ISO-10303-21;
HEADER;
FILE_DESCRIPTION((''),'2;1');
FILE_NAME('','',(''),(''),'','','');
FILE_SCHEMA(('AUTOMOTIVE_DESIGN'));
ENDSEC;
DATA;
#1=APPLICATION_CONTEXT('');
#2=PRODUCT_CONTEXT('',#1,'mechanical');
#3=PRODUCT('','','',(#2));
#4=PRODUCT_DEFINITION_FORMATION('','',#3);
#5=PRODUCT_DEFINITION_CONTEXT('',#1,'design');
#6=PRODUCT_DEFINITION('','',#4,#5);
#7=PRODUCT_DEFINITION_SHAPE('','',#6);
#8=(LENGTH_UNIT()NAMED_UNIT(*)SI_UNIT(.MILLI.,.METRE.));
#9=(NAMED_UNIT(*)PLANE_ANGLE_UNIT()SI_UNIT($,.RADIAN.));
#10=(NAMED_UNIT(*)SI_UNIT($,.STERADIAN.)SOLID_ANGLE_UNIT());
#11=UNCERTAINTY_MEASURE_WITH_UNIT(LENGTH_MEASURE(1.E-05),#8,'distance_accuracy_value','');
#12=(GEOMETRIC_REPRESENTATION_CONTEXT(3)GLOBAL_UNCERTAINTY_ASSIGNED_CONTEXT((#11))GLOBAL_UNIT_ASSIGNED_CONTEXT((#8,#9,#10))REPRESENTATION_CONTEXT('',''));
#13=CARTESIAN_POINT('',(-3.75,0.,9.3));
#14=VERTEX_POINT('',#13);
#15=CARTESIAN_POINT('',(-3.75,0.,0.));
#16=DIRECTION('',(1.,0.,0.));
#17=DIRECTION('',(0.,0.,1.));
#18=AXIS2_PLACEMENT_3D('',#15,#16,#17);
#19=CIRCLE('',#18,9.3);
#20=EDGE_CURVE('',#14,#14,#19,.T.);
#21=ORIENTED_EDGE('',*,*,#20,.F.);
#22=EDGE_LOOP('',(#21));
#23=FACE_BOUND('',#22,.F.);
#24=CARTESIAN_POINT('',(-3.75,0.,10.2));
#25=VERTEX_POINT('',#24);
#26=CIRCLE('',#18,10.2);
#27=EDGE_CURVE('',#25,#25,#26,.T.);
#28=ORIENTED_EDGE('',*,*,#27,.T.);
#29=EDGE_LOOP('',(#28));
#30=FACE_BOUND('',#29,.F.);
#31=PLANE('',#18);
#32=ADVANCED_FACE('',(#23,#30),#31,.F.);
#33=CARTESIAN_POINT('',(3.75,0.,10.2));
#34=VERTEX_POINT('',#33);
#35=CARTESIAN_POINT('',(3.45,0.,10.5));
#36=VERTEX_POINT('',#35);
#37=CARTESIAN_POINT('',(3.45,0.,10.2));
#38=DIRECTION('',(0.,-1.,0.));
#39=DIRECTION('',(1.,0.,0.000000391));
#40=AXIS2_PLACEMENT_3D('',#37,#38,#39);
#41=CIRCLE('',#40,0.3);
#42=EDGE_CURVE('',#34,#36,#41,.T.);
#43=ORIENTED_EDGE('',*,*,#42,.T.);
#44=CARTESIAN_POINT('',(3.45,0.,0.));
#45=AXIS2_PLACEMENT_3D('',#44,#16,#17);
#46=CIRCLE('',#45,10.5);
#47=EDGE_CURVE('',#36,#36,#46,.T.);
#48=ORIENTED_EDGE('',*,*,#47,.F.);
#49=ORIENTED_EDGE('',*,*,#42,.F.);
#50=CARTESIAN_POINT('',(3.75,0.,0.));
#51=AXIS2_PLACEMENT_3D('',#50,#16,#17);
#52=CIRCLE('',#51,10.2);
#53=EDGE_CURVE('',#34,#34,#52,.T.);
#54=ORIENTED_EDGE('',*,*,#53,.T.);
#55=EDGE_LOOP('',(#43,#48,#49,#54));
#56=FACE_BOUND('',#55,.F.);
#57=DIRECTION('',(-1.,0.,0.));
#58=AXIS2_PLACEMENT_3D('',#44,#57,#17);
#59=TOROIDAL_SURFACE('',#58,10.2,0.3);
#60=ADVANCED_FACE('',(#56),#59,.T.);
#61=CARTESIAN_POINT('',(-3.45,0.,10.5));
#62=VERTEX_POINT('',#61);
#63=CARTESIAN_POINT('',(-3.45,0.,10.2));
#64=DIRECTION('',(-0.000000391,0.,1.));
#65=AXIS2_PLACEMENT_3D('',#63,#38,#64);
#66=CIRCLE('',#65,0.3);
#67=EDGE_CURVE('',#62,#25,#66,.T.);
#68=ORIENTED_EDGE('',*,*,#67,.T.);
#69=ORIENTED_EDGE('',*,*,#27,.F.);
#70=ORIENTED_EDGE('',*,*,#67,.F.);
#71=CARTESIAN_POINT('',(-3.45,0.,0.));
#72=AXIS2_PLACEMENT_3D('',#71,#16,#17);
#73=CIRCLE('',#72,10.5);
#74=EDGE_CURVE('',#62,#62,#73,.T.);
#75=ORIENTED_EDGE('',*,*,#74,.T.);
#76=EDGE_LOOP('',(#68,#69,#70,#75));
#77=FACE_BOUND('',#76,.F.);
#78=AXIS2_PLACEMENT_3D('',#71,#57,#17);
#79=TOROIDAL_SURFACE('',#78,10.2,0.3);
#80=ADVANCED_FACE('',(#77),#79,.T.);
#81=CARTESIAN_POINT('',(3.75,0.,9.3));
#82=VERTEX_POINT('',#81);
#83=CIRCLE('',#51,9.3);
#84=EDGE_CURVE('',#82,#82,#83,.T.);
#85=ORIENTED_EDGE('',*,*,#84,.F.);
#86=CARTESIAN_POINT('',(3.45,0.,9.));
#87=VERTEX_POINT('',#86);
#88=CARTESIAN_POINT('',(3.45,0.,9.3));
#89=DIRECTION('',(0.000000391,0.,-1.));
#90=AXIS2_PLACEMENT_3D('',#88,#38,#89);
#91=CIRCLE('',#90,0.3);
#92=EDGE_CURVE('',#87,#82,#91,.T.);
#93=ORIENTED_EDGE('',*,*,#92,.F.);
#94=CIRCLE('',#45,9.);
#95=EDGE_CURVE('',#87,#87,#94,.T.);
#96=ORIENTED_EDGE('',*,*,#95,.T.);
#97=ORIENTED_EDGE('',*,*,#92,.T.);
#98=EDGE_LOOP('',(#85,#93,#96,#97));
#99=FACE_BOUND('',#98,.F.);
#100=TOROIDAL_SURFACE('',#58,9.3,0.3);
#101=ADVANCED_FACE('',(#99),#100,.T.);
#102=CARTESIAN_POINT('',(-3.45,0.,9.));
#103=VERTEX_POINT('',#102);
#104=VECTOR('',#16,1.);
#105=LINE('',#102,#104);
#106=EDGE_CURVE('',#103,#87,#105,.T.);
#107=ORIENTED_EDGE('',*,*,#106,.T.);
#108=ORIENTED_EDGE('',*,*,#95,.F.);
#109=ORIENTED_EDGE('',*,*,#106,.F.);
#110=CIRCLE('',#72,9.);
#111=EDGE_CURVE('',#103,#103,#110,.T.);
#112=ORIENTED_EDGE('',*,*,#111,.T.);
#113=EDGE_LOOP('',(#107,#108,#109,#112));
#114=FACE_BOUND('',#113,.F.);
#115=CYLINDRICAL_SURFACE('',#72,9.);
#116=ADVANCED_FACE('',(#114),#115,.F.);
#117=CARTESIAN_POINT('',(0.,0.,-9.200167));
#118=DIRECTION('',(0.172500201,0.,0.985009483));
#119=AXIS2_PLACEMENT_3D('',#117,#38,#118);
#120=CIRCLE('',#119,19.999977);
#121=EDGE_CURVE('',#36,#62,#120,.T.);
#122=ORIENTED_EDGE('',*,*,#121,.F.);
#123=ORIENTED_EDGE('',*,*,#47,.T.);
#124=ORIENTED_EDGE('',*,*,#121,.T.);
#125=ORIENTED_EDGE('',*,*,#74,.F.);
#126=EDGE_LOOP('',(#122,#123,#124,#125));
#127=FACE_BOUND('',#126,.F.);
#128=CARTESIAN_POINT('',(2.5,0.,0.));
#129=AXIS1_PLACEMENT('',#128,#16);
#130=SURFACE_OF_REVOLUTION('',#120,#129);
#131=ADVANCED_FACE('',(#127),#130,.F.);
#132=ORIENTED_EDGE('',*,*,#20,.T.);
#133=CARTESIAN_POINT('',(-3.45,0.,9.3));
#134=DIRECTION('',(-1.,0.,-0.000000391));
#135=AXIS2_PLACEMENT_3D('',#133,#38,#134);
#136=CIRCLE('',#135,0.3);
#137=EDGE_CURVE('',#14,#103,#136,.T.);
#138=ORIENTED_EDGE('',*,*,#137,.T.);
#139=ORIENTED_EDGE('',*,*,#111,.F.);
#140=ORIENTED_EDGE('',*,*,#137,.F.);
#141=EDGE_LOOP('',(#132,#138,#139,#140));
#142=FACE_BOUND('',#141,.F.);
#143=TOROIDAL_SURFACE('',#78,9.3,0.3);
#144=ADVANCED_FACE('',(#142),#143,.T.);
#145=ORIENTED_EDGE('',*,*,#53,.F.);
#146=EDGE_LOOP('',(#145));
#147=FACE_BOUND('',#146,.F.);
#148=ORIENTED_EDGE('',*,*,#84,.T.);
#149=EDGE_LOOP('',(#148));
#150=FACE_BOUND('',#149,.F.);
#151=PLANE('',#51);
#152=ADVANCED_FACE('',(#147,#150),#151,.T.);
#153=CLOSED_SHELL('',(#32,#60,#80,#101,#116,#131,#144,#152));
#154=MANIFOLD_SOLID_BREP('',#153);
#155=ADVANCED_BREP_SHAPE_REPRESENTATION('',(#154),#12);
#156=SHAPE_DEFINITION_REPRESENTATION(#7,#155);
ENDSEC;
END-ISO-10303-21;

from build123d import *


with BuildPart() as f1:
    # F0 (on Front) → F1 (revolve)
    with BuildSketch(Plane.XZ):
        with BuildLine():
            ThreePointArc((-3.75, 9.3), (-3.662132, 9.087868), (-3.45, 9))
            Line((-3.45, 9), (3.45, 9))
            ThreePointArc((3.45, 9), (3.662132, 9.087868), (3.75, 9.3))
            Line((3.75, 9.3), (3.75, 10.2))
            ThreePointArc((3.75, 10.2), (3.662132, 10.412132), (3.45, 10.5))
            ThreePointArc((3.45, 10.5), (0, 10.79981), (-3.45, 10.5))
            ThreePointArc((-3.45, 10.5), (-3.662132, 10.412132), (-3.75, 10.2))
            Line((-3.75, 10.2), (-3.75, 9.3))
        make_face()
    revolve(axis=Axis((2.5, 0, 0), (1, 0, 0)))


solid = f1.part
